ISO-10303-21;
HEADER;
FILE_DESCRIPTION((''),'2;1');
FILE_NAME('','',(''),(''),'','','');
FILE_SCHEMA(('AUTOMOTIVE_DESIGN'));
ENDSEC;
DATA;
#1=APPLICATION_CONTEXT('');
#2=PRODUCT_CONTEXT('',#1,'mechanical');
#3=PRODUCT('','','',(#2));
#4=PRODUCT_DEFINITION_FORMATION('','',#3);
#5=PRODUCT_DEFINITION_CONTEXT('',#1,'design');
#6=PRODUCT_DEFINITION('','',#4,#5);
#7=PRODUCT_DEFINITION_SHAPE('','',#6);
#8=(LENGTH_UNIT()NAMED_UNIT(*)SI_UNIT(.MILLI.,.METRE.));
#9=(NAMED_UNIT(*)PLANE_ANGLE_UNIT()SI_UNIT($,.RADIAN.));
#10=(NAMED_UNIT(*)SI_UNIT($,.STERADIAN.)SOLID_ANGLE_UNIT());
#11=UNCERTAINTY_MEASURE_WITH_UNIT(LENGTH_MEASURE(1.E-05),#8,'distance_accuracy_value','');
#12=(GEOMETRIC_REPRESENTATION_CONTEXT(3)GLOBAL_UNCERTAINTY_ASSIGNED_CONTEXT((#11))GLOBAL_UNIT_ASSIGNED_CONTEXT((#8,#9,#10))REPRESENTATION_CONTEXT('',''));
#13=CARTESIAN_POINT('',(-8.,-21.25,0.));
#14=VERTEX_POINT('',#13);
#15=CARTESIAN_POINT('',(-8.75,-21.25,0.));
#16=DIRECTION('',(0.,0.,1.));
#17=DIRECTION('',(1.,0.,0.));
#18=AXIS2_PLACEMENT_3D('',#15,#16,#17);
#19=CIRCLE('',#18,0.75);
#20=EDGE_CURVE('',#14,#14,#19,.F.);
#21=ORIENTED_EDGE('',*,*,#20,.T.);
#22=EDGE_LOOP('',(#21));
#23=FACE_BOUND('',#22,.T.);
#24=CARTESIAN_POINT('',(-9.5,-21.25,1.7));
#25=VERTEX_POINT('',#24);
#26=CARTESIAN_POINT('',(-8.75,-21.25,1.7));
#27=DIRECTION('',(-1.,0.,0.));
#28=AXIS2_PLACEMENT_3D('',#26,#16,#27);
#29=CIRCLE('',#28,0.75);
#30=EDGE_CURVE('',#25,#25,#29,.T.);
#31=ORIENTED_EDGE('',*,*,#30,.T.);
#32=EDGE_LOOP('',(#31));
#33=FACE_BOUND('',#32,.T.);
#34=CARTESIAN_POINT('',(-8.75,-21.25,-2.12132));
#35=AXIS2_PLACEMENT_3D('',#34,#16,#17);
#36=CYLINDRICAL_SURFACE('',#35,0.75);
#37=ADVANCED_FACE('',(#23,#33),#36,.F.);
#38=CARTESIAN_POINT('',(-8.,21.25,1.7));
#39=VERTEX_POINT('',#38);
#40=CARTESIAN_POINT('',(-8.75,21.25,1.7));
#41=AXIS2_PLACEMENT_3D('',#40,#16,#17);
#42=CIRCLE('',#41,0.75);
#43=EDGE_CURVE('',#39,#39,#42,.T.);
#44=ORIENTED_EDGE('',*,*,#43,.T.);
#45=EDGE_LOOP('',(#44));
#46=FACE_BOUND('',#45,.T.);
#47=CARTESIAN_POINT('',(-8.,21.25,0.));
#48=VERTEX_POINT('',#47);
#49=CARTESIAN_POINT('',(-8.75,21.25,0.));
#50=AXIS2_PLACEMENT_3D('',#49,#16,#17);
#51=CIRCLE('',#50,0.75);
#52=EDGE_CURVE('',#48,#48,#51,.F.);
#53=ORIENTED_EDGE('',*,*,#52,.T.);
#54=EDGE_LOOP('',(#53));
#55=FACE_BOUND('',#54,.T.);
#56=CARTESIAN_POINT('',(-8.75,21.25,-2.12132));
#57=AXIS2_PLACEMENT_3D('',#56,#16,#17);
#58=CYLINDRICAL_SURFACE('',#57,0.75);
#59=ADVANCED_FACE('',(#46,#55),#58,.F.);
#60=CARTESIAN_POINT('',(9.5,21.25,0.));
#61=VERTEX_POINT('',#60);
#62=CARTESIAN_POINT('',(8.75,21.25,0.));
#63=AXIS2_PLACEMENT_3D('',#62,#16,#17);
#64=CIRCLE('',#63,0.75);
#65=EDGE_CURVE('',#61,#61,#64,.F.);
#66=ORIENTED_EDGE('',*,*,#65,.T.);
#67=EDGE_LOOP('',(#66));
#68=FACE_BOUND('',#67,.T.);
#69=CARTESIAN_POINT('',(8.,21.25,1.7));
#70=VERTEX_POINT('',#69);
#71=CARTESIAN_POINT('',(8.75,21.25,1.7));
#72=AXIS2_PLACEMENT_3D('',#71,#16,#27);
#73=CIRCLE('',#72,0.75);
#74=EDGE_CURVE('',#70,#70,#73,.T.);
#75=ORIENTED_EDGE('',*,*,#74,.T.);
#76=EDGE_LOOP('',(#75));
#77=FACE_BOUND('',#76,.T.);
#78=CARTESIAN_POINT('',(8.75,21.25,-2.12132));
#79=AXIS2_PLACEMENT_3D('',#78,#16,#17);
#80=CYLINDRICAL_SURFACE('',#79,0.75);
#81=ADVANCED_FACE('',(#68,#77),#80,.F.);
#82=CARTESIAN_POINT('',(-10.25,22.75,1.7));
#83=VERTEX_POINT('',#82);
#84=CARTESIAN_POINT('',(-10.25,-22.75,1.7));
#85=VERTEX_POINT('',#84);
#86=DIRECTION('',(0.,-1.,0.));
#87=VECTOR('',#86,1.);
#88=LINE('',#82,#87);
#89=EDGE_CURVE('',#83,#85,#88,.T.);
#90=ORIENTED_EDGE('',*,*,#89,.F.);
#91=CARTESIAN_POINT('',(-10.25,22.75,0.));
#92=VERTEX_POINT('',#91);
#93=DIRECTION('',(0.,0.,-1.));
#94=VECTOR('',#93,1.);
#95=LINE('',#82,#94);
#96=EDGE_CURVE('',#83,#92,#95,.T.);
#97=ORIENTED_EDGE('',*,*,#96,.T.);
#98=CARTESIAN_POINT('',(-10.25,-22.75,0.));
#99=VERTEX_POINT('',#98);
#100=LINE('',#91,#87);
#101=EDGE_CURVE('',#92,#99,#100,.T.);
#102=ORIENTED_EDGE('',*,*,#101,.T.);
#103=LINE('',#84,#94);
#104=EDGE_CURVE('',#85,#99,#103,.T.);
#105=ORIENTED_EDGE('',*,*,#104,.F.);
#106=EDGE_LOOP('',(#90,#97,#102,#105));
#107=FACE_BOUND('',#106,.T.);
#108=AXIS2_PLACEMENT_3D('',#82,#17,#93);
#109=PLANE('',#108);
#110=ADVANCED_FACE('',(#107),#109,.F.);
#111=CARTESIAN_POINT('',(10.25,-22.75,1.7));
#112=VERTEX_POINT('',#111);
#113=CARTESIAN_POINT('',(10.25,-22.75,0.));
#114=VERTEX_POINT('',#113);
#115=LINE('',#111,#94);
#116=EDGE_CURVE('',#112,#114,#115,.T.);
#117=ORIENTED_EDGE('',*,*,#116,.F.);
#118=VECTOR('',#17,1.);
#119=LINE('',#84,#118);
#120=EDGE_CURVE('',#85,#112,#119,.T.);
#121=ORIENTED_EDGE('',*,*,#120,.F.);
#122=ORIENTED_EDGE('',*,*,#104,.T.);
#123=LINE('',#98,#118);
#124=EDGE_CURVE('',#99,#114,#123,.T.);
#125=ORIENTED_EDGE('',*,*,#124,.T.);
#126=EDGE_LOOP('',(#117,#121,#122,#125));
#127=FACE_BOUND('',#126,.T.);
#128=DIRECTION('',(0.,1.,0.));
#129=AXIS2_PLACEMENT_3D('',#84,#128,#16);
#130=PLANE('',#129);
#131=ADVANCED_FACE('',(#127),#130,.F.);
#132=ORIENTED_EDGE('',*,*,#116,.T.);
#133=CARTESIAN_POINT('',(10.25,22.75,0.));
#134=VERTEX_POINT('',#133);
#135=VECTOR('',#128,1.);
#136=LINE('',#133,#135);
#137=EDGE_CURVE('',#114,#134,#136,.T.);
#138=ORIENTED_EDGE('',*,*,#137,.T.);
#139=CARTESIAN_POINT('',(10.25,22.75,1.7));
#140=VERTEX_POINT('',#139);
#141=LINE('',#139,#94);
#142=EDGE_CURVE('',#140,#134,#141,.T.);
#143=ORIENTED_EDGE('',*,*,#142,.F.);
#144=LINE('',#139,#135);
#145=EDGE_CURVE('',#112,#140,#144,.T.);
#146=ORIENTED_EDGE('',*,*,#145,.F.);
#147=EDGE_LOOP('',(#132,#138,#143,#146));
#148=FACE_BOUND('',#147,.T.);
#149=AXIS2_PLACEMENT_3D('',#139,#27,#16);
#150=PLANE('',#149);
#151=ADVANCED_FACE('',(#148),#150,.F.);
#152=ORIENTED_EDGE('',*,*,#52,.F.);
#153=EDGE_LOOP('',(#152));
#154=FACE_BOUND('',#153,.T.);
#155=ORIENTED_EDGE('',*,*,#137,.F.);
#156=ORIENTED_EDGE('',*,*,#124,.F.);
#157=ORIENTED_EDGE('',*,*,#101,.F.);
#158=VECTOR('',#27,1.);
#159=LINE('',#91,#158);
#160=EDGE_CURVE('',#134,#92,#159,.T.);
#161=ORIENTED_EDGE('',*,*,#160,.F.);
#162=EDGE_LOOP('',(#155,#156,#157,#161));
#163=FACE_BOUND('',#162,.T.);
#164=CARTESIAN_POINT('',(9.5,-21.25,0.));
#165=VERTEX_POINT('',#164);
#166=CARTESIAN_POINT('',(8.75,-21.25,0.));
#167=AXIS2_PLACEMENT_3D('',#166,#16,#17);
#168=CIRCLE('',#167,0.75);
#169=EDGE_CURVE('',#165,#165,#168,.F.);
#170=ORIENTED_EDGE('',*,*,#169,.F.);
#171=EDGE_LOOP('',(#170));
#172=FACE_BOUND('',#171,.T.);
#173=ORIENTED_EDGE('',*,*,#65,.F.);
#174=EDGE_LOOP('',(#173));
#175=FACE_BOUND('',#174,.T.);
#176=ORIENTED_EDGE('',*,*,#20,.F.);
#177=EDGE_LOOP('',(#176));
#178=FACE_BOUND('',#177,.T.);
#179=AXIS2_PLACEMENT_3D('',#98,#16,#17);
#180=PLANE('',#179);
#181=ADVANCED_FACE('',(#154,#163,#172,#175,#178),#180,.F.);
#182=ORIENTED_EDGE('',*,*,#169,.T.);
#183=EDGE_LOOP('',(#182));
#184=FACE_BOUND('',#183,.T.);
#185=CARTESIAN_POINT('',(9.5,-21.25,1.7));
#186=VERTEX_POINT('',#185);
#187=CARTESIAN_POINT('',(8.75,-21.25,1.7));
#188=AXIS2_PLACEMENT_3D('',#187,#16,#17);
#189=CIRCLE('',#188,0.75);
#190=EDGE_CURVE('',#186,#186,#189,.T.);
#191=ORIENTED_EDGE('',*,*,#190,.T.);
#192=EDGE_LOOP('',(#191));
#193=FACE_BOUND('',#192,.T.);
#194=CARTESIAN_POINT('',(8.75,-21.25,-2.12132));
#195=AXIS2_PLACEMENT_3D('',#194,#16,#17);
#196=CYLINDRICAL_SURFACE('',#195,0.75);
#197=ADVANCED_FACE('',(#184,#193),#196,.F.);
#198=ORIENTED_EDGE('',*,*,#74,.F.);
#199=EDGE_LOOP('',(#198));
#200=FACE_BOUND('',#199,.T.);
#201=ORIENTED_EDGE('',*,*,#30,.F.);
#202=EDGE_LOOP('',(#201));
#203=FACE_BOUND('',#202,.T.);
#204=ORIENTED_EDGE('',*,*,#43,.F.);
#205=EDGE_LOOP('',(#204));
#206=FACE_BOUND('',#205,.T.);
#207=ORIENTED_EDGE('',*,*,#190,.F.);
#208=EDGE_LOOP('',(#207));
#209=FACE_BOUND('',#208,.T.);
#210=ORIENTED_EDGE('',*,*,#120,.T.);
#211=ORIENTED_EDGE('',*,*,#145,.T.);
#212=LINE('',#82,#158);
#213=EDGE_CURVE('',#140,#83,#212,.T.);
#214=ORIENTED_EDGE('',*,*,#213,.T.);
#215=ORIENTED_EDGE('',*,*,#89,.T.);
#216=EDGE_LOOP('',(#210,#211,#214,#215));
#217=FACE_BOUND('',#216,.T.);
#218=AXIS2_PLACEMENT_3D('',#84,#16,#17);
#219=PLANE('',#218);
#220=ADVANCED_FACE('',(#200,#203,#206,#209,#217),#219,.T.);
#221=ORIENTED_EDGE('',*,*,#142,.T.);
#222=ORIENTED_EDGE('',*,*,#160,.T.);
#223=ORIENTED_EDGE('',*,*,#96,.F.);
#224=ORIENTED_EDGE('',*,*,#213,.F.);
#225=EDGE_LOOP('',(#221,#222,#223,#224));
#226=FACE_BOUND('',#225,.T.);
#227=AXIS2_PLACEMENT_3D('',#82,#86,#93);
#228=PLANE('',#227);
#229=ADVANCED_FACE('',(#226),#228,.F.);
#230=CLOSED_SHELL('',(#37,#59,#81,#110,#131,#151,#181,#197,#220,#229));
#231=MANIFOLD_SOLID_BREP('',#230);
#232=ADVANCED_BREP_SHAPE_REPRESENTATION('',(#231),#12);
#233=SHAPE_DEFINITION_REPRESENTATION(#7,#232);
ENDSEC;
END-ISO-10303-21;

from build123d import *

# Parameters (mm, degrees)
SKETCH1_W          = 20.5
SKETCH1_H          = 45.5
EXTRUDE1_DEPTH     = 1.7
SKETCH2_R          = 0.75
CUT_EXTRUDE1_DEPTH = 1.7


with BuildPart() as part:
    # Sketch1 → Extrude1 (new body)
    with BuildSketch(Plane.XY):
        Rectangle(SKETCH1_W, SKETCH1_H)
    extrude(amount=EXTRUDE1_DEPTH)

    # Sketch2 → Cut-Extrude1 (cut)
    with BuildSketch(Plane.XY.offset(1.7)):
        with Locations((8.75, -21.25)):
            Circle(SKETCH2_R)
        with Locations((-8.75, -21.25)):
            Circle(SKETCH2_R)
        with Locations((-8.75, 21.25)):
            Circle(SKETCH2_R)
        with Locations((8.75, 21.25)):
            Circle(SKETCH2_R)
    extrude(amount=-CUT_EXTRUDE1_DEPTH, mode=Mode.SUBTRACT)


solid = part.part
